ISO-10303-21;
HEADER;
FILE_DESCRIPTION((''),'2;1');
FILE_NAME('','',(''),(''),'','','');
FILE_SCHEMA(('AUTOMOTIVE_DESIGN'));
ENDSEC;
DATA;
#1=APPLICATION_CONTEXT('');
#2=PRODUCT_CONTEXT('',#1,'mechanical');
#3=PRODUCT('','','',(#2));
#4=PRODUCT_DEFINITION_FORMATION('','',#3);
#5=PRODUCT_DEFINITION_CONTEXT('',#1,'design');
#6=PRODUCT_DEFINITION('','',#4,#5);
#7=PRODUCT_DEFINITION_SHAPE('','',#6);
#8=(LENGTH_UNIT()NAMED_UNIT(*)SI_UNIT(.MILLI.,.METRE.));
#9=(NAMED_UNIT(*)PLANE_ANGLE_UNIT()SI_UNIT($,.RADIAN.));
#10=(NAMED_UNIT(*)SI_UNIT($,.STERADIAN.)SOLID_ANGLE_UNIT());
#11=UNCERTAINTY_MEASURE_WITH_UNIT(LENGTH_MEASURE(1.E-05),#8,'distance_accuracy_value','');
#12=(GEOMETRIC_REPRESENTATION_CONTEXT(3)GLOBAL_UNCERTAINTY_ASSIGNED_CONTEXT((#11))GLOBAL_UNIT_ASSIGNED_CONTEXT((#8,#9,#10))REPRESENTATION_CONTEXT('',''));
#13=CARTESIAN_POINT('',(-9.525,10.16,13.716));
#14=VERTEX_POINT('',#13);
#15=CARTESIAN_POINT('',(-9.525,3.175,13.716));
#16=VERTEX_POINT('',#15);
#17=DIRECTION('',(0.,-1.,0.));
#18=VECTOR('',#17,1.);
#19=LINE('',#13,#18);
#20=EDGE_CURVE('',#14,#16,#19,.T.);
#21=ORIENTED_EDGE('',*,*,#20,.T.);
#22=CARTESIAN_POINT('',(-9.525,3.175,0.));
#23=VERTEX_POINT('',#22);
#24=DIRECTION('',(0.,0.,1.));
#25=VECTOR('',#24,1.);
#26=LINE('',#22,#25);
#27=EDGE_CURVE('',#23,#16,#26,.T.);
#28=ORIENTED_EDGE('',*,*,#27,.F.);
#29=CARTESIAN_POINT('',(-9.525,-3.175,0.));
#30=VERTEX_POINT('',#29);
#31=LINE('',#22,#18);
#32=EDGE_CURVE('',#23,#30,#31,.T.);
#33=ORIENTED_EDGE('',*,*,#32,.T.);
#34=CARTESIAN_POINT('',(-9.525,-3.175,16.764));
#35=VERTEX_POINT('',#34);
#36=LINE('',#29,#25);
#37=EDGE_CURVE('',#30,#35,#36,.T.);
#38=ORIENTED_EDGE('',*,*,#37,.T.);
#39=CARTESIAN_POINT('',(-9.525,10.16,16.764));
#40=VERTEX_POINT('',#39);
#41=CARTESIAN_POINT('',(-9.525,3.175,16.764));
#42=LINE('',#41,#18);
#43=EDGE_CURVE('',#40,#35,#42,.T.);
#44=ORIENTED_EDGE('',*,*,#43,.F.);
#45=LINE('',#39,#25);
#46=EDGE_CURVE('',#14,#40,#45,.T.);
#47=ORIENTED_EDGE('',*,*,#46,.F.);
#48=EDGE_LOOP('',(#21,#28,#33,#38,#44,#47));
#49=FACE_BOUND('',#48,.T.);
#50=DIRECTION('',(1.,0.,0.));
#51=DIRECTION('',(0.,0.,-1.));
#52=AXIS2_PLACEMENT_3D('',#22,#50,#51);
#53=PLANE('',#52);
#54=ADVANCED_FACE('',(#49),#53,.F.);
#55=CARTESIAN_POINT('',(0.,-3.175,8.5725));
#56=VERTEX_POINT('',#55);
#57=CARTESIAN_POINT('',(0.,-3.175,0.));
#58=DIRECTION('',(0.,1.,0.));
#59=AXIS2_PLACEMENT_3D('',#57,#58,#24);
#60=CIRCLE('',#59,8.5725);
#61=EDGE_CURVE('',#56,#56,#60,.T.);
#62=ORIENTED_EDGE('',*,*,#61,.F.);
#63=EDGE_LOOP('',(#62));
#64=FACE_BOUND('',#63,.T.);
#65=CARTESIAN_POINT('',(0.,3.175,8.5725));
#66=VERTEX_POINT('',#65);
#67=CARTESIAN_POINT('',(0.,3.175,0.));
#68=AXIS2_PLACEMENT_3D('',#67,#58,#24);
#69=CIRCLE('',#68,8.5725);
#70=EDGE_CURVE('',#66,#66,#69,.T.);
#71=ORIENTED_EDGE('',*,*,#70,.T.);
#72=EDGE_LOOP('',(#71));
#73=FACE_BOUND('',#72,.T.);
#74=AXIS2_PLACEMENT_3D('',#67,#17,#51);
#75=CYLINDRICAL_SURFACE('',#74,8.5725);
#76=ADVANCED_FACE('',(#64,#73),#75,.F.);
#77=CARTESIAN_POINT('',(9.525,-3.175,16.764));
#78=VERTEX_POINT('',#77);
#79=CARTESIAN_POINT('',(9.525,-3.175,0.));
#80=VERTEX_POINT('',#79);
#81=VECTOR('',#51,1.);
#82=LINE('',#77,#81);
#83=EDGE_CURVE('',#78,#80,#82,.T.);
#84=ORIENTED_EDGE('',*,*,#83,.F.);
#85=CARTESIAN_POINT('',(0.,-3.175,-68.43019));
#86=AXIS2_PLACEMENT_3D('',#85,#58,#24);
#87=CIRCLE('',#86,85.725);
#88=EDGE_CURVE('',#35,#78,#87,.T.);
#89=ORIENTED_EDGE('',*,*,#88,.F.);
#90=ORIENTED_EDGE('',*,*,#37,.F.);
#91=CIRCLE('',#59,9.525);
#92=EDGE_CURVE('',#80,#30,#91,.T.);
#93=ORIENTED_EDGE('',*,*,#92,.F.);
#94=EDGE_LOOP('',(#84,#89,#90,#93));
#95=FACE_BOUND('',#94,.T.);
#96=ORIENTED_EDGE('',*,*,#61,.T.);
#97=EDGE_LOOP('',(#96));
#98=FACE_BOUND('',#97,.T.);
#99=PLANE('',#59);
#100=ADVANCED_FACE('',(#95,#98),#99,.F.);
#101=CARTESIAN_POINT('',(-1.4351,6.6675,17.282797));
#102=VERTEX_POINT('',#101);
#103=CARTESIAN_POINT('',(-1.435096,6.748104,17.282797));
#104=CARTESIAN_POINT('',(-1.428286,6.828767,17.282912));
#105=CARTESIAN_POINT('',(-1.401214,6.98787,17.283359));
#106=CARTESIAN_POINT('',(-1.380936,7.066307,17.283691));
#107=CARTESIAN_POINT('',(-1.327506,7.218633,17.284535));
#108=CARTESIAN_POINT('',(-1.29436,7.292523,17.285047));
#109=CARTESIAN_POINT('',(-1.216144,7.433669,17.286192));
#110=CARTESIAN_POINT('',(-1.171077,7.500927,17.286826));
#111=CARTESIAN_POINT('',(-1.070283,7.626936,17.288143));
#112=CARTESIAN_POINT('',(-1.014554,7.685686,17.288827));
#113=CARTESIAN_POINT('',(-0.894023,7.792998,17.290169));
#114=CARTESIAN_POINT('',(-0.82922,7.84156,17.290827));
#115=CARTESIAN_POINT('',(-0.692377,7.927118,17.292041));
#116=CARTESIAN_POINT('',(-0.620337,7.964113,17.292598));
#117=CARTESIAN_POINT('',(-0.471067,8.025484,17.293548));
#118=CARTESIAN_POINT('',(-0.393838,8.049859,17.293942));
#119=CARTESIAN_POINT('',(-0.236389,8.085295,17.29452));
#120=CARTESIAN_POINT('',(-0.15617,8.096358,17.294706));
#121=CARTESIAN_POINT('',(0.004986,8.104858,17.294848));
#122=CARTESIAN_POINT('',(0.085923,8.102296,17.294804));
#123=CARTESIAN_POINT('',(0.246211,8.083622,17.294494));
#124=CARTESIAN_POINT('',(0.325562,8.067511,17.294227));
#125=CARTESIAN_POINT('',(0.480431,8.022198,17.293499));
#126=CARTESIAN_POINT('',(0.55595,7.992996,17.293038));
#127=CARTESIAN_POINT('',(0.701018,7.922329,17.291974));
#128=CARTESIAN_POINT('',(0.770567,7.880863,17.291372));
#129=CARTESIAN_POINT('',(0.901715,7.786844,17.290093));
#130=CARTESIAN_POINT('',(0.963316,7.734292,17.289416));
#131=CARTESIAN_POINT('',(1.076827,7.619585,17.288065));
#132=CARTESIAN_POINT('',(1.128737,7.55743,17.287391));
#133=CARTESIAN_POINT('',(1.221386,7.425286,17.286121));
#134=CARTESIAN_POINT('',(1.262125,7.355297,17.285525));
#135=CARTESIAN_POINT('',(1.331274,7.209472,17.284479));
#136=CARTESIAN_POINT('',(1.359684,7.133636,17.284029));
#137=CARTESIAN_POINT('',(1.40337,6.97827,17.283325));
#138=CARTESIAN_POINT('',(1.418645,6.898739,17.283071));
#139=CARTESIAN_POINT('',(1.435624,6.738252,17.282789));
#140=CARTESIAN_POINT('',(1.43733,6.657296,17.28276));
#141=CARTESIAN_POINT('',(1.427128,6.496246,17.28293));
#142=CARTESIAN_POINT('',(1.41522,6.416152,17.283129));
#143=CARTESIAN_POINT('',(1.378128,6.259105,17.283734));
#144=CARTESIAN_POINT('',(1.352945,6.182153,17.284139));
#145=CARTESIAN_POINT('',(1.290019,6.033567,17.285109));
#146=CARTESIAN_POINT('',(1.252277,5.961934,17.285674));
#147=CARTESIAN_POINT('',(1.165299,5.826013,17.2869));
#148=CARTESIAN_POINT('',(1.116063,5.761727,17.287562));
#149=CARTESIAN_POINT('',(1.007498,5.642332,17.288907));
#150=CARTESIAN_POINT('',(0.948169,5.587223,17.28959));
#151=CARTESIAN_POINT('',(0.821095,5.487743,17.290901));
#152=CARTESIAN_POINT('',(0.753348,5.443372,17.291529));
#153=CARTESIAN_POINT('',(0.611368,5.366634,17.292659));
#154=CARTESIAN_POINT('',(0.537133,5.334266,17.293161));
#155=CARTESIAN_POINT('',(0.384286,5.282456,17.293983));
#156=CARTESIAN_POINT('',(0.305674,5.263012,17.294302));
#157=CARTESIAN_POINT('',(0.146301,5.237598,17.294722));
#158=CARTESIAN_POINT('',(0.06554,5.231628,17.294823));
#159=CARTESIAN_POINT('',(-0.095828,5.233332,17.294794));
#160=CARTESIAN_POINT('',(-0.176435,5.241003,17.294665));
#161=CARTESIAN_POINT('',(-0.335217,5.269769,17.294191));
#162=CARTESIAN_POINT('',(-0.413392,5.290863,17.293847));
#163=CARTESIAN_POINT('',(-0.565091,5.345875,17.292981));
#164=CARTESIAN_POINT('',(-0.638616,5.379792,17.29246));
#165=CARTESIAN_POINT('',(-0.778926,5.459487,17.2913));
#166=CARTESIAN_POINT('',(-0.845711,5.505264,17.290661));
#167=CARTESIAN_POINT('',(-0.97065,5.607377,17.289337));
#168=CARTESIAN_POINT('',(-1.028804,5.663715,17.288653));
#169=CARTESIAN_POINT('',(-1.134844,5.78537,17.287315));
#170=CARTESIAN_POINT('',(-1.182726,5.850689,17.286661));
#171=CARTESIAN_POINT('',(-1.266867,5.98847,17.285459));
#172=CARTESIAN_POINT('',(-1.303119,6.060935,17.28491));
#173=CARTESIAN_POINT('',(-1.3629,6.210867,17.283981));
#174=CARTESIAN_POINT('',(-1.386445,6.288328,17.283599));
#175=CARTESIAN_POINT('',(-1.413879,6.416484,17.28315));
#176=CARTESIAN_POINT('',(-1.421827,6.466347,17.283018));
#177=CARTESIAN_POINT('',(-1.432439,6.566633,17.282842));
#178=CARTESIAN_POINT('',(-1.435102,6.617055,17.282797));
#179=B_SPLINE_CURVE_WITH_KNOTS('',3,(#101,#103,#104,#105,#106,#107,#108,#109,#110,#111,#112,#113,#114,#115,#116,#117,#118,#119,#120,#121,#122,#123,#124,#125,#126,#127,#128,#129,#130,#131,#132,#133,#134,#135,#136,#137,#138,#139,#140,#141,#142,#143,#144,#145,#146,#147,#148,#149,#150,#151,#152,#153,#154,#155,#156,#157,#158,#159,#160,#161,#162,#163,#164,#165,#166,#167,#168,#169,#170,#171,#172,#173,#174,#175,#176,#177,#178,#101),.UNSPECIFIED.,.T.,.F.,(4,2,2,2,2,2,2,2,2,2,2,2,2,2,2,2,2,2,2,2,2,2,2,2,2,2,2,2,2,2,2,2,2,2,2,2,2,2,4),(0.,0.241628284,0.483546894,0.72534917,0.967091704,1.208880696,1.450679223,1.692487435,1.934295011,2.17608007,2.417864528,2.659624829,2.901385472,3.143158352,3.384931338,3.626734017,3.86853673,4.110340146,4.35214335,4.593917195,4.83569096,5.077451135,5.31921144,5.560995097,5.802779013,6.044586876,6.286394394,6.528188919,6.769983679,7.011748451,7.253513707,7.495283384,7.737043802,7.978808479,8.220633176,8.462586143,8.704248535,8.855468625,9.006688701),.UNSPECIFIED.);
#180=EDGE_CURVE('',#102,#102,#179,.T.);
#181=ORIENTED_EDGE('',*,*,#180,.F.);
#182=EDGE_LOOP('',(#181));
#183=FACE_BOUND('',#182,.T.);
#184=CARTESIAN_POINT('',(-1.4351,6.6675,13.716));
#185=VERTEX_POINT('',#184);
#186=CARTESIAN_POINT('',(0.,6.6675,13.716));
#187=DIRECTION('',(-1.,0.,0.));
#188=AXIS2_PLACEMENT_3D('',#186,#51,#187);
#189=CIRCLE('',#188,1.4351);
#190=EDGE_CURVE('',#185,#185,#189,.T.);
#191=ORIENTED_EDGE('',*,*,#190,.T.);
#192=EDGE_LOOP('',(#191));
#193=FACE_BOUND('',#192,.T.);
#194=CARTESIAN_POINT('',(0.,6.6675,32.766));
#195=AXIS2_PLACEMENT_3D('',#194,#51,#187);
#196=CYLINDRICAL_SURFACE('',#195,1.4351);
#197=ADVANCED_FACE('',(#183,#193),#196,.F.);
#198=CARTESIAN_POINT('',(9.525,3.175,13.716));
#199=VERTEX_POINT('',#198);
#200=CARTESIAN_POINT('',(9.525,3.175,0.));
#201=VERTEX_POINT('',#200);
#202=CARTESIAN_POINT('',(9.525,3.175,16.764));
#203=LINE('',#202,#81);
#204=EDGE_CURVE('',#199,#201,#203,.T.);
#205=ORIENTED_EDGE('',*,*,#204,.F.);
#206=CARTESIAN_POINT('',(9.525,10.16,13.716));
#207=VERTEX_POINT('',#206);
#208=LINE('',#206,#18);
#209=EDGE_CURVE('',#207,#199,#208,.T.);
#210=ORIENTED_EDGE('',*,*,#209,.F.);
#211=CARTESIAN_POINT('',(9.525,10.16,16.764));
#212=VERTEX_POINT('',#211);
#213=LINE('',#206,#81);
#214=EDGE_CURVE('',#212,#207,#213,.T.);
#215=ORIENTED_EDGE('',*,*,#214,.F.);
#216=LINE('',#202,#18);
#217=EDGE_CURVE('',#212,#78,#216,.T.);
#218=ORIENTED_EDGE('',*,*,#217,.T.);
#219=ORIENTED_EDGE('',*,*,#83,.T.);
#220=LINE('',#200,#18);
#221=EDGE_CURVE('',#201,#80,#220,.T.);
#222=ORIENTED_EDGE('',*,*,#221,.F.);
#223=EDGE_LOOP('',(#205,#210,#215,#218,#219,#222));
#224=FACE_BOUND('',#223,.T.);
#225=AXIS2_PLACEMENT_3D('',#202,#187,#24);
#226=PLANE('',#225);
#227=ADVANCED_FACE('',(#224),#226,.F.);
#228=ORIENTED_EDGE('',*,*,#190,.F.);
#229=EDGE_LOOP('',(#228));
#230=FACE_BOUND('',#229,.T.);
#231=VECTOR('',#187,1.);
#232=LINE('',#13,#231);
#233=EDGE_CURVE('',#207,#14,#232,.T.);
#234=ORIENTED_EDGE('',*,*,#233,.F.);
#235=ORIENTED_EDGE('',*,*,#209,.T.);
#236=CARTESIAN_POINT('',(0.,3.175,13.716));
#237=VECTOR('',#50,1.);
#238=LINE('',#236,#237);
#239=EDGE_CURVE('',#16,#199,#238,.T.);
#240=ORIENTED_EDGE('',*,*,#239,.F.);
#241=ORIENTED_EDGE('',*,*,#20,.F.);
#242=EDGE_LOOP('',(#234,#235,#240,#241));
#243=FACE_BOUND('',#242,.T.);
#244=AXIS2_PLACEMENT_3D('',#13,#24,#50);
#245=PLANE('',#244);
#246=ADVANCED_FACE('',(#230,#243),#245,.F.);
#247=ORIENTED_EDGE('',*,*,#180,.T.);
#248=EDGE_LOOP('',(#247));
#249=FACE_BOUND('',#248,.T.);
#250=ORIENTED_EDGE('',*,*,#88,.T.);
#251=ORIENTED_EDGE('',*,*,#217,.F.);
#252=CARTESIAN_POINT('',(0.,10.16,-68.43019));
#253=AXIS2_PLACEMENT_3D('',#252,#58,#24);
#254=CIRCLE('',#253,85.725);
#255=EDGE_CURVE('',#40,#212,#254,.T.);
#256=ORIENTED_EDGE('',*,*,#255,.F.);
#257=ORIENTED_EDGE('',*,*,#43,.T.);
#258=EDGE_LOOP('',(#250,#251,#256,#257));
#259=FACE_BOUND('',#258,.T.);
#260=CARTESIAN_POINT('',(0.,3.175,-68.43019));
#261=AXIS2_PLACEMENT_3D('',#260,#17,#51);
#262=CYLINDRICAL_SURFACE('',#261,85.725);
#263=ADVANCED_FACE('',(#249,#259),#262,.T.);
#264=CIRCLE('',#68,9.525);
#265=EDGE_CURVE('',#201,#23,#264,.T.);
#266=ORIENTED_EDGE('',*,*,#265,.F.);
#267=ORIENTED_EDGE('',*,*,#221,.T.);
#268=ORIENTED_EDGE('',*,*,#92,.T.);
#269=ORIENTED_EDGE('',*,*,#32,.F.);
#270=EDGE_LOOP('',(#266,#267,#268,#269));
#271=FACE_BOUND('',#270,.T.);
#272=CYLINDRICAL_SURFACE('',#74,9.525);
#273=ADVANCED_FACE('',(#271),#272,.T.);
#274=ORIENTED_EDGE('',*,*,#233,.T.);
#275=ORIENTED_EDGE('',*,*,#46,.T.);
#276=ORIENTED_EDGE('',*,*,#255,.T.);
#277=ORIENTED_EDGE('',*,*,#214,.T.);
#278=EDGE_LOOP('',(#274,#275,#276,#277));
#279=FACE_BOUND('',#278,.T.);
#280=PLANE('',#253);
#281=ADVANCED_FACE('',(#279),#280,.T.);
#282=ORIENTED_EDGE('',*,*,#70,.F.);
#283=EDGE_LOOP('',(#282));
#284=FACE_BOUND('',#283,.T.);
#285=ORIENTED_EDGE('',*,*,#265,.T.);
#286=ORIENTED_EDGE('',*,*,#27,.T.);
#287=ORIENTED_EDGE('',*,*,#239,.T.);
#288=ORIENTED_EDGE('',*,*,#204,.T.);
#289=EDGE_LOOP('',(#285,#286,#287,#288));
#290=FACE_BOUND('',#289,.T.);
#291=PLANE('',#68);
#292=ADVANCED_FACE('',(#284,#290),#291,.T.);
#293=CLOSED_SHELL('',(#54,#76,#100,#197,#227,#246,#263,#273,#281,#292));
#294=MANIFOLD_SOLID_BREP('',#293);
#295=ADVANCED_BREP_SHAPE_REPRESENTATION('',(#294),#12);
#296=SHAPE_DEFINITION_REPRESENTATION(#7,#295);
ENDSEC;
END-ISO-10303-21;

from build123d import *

# Parameters (mm, degrees)
SKETCH2_R           = 9.525
SKETCH2_R_2         = 8.5725
BOSS_EXTRUDE1_DEPTH = 3.175
BOSS_EXTRUDE2_DEPTH = 3.175
BOSS_EXTRUDE3_DEPTH = 10.16
SKETCH5_R           = 1.4351
CUT_EXTRUDE1_DEPTH  = 19.05


with BuildPart() as part:
    # Sketch2 → Boss-Extrude1 (new body, symmetric)
    with BuildSketch(Plane(origin=(0, 0, 0), x_dir=(1, 0, 0), z_dir=(0, 1, 0))):
        Circle(SKETCH2_R)
        Circle(SKETCH2_R_2, mode=Mode.SUBTRACT)
    extrude(amount=BOSS_EXTRUDE1_DEPTH, both=True)

    # Sketch3 → Boss-Extrude2 (add, symmetric)
    with BuildSketch(Plane(origin=(0, 0, 0), x_dir=(1, 0, 0), z_dir=(0, 1, 0))):
        with BuildLine():
            Line((-9.525, 0), (-9.525, -16.764))
            ThreePointArc((-9.525, -16.764), (0, -17.294810057), (9.525, -16.764))
            Line((9.525, -16.764), (9.525, 0))
            ThreePointArc((9.525, 0), (0, -9.525), (-9.525, 0))
        make_face()
    extrude(amount=BOSS_EXTRUDE2_DEPTH, both=True)

    # Sketch4 → Boss-Extrude3 (add)
    with BuildSketch(Plane(origin=(0, 0, 0), x_dir=(1, 0, 0), z_dir=(0, 1, 0))):
        with BuildLine():
            Line((-9.525, -16.764), (-9.525, -13.716))
            Line((-9.525, -13.716), (9.525, -13.716))
            Line((9.525, -13.716), (9.525, -16.764))
            ThreePointArc((9.525, -16.764), (0, -17.294810057), (-9.525, -16.764))
        make_face()
    extrude(amount=BOSS_EXTRUDE3_DEPTH)

    # Sketch5 → Cut-Extrude1 (cut)
    with BuildSketch(Plane(origin=(0, 0, 13.716), x_dir=(-1, 0, 0), z_dir=(0, 0, -1))):
        with Locations((0, 6.6675)):
            Circle(SKETCH5_R)
    extrude(amount=-CUT_EXTRUDE1_DEPTH, mode=Mode.SUBTRACT)


solid = part.part
